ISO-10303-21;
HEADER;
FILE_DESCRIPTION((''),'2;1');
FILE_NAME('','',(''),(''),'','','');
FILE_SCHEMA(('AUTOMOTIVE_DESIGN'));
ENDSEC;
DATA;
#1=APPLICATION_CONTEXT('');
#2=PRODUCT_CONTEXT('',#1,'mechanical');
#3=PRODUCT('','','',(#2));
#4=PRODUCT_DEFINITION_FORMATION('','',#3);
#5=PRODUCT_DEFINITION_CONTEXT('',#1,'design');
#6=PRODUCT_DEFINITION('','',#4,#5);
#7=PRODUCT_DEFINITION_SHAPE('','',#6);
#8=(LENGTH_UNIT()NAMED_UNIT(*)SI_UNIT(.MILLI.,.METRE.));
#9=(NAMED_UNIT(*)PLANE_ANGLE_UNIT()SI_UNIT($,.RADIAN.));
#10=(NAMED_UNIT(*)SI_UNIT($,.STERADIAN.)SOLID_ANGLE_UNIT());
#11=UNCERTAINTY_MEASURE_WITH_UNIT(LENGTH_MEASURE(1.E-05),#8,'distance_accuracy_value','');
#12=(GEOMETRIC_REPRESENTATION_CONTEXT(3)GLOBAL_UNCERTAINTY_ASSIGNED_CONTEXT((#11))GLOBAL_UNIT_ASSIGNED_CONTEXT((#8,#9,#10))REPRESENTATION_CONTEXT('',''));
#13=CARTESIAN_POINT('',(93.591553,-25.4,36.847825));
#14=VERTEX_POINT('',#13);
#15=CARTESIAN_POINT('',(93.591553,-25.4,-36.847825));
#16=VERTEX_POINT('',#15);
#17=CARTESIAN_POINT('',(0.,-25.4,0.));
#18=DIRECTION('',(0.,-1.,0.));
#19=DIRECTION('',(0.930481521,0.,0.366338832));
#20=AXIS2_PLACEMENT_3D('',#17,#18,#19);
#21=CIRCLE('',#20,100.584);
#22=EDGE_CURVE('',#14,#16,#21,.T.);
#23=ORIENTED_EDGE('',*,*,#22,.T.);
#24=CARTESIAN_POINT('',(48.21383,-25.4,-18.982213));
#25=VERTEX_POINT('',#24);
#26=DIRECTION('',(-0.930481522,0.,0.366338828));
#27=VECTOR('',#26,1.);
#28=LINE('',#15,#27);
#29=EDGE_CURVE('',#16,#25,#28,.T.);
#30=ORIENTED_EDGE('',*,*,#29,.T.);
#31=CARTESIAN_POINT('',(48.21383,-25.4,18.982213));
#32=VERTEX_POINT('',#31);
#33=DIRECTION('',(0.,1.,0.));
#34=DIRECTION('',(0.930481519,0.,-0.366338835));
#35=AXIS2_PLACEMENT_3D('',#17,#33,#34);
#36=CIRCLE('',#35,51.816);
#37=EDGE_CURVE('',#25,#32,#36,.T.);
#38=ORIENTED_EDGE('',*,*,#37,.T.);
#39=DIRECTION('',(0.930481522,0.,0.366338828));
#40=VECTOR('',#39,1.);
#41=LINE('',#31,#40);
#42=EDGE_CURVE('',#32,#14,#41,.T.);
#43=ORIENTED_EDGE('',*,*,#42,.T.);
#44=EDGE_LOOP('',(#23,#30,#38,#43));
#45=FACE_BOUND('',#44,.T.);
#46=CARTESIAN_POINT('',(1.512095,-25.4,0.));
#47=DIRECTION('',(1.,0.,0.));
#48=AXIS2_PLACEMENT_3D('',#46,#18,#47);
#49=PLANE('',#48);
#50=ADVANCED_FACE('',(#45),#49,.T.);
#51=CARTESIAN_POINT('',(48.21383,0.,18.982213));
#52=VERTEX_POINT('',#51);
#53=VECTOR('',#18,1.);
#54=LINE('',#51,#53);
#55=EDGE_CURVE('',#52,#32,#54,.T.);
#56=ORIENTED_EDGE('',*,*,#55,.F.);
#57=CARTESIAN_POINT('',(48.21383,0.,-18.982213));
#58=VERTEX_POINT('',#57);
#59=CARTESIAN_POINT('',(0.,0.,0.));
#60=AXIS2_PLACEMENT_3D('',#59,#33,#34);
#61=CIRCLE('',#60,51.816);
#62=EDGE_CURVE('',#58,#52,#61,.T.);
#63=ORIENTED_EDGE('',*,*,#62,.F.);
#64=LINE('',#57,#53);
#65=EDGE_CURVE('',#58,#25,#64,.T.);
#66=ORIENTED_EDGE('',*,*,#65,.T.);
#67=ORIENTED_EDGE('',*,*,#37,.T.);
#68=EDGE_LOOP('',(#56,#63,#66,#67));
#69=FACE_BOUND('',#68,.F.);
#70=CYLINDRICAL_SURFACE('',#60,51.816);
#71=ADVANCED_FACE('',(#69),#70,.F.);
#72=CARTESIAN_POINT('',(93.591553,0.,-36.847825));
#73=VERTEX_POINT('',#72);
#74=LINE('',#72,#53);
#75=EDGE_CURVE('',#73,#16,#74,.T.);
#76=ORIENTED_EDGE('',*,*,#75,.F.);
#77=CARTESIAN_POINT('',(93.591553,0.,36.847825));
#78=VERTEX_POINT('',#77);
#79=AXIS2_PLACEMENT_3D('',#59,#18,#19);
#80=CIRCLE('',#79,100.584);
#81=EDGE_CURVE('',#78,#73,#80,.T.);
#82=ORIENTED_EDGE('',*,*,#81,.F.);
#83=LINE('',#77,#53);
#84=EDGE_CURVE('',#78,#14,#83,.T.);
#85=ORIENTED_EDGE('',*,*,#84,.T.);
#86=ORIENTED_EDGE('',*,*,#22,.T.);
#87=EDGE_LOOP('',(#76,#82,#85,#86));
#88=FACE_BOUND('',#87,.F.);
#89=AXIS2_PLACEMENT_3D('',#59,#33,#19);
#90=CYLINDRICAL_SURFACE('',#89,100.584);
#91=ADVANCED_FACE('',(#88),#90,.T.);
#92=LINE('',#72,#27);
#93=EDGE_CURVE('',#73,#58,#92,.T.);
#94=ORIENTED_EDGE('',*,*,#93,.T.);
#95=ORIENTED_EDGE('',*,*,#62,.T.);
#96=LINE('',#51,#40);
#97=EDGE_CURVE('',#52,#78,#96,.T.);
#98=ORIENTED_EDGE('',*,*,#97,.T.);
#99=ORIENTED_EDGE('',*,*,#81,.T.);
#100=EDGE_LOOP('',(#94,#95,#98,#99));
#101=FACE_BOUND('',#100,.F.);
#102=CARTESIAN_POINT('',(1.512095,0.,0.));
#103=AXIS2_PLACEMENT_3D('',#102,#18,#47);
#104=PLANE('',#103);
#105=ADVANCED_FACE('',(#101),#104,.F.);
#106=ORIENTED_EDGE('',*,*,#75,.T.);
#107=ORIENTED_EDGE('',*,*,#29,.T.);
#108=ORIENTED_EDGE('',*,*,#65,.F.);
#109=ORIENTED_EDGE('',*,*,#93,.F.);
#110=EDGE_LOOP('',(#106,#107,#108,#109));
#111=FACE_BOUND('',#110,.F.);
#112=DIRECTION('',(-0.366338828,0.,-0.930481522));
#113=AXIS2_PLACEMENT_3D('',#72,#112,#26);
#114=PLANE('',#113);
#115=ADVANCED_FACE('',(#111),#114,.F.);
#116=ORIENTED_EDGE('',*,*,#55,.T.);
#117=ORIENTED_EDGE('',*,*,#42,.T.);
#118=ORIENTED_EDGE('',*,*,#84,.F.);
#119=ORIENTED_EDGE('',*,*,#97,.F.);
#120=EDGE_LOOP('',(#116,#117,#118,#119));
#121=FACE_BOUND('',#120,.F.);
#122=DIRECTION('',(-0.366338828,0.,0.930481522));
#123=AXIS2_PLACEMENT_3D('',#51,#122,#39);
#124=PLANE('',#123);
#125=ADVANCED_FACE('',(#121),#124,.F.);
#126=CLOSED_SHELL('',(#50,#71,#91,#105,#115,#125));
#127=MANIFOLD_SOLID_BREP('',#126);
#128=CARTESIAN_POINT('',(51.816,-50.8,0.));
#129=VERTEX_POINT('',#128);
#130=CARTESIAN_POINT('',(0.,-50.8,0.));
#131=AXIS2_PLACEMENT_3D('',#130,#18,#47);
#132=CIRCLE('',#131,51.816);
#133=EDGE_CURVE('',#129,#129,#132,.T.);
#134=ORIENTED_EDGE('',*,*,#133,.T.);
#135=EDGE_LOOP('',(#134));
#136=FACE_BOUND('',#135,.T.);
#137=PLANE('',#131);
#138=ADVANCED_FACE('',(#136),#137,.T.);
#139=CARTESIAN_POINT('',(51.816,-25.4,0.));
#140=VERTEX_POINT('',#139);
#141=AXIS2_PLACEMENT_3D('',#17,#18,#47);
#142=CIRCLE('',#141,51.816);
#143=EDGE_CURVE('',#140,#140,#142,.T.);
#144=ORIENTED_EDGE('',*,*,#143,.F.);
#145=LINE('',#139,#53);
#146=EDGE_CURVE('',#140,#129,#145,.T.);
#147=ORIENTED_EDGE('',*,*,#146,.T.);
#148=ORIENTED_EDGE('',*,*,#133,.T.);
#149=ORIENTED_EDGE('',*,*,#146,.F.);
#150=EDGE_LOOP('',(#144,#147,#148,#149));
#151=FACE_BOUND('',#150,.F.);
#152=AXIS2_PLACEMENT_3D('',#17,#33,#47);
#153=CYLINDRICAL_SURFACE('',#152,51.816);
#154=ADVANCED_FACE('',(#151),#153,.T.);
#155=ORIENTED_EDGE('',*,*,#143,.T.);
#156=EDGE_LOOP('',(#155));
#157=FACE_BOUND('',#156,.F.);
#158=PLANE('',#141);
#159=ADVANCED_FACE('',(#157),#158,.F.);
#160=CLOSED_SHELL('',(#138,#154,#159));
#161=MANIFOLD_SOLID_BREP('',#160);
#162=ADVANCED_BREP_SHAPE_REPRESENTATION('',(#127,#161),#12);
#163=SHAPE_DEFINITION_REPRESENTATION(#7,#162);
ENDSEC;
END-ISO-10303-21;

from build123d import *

# Parameters (mm, degrees)
F1_DEPTH = 25.4
F2_R     = 51.816
F3_DEPTH = 25.4


with BuildPart() as f1:
    # F0 (on Front) → F1 (new body)
    with BuildSketch(Plane.XZ):
        with BuildLine():
            Line((48.21383, 18.982213), (93.591553, 36.847825))
            ThreePointArc((93.591553, 36.847825), (-100.584, 0), (93.591553, -36.847825))
            Line((93.591553, -36.847825), (48.21383, -18.982213))
            ThreePointArc((48.21383, -18.982213), (-51.816, 0), (48.21383, 18.982213))
        make_face()
    extrude(amount=F1_DEPTH)


with BuildPart() as f3:
    # F2 (on face) → F3 (new body)
    with BuildSketch(Plane.XZ.offset(25.4)):
        Circle(F2_R)
    extrude(amount=F3_DEPTH)


solid = Compound([f1.part, f3.part])
